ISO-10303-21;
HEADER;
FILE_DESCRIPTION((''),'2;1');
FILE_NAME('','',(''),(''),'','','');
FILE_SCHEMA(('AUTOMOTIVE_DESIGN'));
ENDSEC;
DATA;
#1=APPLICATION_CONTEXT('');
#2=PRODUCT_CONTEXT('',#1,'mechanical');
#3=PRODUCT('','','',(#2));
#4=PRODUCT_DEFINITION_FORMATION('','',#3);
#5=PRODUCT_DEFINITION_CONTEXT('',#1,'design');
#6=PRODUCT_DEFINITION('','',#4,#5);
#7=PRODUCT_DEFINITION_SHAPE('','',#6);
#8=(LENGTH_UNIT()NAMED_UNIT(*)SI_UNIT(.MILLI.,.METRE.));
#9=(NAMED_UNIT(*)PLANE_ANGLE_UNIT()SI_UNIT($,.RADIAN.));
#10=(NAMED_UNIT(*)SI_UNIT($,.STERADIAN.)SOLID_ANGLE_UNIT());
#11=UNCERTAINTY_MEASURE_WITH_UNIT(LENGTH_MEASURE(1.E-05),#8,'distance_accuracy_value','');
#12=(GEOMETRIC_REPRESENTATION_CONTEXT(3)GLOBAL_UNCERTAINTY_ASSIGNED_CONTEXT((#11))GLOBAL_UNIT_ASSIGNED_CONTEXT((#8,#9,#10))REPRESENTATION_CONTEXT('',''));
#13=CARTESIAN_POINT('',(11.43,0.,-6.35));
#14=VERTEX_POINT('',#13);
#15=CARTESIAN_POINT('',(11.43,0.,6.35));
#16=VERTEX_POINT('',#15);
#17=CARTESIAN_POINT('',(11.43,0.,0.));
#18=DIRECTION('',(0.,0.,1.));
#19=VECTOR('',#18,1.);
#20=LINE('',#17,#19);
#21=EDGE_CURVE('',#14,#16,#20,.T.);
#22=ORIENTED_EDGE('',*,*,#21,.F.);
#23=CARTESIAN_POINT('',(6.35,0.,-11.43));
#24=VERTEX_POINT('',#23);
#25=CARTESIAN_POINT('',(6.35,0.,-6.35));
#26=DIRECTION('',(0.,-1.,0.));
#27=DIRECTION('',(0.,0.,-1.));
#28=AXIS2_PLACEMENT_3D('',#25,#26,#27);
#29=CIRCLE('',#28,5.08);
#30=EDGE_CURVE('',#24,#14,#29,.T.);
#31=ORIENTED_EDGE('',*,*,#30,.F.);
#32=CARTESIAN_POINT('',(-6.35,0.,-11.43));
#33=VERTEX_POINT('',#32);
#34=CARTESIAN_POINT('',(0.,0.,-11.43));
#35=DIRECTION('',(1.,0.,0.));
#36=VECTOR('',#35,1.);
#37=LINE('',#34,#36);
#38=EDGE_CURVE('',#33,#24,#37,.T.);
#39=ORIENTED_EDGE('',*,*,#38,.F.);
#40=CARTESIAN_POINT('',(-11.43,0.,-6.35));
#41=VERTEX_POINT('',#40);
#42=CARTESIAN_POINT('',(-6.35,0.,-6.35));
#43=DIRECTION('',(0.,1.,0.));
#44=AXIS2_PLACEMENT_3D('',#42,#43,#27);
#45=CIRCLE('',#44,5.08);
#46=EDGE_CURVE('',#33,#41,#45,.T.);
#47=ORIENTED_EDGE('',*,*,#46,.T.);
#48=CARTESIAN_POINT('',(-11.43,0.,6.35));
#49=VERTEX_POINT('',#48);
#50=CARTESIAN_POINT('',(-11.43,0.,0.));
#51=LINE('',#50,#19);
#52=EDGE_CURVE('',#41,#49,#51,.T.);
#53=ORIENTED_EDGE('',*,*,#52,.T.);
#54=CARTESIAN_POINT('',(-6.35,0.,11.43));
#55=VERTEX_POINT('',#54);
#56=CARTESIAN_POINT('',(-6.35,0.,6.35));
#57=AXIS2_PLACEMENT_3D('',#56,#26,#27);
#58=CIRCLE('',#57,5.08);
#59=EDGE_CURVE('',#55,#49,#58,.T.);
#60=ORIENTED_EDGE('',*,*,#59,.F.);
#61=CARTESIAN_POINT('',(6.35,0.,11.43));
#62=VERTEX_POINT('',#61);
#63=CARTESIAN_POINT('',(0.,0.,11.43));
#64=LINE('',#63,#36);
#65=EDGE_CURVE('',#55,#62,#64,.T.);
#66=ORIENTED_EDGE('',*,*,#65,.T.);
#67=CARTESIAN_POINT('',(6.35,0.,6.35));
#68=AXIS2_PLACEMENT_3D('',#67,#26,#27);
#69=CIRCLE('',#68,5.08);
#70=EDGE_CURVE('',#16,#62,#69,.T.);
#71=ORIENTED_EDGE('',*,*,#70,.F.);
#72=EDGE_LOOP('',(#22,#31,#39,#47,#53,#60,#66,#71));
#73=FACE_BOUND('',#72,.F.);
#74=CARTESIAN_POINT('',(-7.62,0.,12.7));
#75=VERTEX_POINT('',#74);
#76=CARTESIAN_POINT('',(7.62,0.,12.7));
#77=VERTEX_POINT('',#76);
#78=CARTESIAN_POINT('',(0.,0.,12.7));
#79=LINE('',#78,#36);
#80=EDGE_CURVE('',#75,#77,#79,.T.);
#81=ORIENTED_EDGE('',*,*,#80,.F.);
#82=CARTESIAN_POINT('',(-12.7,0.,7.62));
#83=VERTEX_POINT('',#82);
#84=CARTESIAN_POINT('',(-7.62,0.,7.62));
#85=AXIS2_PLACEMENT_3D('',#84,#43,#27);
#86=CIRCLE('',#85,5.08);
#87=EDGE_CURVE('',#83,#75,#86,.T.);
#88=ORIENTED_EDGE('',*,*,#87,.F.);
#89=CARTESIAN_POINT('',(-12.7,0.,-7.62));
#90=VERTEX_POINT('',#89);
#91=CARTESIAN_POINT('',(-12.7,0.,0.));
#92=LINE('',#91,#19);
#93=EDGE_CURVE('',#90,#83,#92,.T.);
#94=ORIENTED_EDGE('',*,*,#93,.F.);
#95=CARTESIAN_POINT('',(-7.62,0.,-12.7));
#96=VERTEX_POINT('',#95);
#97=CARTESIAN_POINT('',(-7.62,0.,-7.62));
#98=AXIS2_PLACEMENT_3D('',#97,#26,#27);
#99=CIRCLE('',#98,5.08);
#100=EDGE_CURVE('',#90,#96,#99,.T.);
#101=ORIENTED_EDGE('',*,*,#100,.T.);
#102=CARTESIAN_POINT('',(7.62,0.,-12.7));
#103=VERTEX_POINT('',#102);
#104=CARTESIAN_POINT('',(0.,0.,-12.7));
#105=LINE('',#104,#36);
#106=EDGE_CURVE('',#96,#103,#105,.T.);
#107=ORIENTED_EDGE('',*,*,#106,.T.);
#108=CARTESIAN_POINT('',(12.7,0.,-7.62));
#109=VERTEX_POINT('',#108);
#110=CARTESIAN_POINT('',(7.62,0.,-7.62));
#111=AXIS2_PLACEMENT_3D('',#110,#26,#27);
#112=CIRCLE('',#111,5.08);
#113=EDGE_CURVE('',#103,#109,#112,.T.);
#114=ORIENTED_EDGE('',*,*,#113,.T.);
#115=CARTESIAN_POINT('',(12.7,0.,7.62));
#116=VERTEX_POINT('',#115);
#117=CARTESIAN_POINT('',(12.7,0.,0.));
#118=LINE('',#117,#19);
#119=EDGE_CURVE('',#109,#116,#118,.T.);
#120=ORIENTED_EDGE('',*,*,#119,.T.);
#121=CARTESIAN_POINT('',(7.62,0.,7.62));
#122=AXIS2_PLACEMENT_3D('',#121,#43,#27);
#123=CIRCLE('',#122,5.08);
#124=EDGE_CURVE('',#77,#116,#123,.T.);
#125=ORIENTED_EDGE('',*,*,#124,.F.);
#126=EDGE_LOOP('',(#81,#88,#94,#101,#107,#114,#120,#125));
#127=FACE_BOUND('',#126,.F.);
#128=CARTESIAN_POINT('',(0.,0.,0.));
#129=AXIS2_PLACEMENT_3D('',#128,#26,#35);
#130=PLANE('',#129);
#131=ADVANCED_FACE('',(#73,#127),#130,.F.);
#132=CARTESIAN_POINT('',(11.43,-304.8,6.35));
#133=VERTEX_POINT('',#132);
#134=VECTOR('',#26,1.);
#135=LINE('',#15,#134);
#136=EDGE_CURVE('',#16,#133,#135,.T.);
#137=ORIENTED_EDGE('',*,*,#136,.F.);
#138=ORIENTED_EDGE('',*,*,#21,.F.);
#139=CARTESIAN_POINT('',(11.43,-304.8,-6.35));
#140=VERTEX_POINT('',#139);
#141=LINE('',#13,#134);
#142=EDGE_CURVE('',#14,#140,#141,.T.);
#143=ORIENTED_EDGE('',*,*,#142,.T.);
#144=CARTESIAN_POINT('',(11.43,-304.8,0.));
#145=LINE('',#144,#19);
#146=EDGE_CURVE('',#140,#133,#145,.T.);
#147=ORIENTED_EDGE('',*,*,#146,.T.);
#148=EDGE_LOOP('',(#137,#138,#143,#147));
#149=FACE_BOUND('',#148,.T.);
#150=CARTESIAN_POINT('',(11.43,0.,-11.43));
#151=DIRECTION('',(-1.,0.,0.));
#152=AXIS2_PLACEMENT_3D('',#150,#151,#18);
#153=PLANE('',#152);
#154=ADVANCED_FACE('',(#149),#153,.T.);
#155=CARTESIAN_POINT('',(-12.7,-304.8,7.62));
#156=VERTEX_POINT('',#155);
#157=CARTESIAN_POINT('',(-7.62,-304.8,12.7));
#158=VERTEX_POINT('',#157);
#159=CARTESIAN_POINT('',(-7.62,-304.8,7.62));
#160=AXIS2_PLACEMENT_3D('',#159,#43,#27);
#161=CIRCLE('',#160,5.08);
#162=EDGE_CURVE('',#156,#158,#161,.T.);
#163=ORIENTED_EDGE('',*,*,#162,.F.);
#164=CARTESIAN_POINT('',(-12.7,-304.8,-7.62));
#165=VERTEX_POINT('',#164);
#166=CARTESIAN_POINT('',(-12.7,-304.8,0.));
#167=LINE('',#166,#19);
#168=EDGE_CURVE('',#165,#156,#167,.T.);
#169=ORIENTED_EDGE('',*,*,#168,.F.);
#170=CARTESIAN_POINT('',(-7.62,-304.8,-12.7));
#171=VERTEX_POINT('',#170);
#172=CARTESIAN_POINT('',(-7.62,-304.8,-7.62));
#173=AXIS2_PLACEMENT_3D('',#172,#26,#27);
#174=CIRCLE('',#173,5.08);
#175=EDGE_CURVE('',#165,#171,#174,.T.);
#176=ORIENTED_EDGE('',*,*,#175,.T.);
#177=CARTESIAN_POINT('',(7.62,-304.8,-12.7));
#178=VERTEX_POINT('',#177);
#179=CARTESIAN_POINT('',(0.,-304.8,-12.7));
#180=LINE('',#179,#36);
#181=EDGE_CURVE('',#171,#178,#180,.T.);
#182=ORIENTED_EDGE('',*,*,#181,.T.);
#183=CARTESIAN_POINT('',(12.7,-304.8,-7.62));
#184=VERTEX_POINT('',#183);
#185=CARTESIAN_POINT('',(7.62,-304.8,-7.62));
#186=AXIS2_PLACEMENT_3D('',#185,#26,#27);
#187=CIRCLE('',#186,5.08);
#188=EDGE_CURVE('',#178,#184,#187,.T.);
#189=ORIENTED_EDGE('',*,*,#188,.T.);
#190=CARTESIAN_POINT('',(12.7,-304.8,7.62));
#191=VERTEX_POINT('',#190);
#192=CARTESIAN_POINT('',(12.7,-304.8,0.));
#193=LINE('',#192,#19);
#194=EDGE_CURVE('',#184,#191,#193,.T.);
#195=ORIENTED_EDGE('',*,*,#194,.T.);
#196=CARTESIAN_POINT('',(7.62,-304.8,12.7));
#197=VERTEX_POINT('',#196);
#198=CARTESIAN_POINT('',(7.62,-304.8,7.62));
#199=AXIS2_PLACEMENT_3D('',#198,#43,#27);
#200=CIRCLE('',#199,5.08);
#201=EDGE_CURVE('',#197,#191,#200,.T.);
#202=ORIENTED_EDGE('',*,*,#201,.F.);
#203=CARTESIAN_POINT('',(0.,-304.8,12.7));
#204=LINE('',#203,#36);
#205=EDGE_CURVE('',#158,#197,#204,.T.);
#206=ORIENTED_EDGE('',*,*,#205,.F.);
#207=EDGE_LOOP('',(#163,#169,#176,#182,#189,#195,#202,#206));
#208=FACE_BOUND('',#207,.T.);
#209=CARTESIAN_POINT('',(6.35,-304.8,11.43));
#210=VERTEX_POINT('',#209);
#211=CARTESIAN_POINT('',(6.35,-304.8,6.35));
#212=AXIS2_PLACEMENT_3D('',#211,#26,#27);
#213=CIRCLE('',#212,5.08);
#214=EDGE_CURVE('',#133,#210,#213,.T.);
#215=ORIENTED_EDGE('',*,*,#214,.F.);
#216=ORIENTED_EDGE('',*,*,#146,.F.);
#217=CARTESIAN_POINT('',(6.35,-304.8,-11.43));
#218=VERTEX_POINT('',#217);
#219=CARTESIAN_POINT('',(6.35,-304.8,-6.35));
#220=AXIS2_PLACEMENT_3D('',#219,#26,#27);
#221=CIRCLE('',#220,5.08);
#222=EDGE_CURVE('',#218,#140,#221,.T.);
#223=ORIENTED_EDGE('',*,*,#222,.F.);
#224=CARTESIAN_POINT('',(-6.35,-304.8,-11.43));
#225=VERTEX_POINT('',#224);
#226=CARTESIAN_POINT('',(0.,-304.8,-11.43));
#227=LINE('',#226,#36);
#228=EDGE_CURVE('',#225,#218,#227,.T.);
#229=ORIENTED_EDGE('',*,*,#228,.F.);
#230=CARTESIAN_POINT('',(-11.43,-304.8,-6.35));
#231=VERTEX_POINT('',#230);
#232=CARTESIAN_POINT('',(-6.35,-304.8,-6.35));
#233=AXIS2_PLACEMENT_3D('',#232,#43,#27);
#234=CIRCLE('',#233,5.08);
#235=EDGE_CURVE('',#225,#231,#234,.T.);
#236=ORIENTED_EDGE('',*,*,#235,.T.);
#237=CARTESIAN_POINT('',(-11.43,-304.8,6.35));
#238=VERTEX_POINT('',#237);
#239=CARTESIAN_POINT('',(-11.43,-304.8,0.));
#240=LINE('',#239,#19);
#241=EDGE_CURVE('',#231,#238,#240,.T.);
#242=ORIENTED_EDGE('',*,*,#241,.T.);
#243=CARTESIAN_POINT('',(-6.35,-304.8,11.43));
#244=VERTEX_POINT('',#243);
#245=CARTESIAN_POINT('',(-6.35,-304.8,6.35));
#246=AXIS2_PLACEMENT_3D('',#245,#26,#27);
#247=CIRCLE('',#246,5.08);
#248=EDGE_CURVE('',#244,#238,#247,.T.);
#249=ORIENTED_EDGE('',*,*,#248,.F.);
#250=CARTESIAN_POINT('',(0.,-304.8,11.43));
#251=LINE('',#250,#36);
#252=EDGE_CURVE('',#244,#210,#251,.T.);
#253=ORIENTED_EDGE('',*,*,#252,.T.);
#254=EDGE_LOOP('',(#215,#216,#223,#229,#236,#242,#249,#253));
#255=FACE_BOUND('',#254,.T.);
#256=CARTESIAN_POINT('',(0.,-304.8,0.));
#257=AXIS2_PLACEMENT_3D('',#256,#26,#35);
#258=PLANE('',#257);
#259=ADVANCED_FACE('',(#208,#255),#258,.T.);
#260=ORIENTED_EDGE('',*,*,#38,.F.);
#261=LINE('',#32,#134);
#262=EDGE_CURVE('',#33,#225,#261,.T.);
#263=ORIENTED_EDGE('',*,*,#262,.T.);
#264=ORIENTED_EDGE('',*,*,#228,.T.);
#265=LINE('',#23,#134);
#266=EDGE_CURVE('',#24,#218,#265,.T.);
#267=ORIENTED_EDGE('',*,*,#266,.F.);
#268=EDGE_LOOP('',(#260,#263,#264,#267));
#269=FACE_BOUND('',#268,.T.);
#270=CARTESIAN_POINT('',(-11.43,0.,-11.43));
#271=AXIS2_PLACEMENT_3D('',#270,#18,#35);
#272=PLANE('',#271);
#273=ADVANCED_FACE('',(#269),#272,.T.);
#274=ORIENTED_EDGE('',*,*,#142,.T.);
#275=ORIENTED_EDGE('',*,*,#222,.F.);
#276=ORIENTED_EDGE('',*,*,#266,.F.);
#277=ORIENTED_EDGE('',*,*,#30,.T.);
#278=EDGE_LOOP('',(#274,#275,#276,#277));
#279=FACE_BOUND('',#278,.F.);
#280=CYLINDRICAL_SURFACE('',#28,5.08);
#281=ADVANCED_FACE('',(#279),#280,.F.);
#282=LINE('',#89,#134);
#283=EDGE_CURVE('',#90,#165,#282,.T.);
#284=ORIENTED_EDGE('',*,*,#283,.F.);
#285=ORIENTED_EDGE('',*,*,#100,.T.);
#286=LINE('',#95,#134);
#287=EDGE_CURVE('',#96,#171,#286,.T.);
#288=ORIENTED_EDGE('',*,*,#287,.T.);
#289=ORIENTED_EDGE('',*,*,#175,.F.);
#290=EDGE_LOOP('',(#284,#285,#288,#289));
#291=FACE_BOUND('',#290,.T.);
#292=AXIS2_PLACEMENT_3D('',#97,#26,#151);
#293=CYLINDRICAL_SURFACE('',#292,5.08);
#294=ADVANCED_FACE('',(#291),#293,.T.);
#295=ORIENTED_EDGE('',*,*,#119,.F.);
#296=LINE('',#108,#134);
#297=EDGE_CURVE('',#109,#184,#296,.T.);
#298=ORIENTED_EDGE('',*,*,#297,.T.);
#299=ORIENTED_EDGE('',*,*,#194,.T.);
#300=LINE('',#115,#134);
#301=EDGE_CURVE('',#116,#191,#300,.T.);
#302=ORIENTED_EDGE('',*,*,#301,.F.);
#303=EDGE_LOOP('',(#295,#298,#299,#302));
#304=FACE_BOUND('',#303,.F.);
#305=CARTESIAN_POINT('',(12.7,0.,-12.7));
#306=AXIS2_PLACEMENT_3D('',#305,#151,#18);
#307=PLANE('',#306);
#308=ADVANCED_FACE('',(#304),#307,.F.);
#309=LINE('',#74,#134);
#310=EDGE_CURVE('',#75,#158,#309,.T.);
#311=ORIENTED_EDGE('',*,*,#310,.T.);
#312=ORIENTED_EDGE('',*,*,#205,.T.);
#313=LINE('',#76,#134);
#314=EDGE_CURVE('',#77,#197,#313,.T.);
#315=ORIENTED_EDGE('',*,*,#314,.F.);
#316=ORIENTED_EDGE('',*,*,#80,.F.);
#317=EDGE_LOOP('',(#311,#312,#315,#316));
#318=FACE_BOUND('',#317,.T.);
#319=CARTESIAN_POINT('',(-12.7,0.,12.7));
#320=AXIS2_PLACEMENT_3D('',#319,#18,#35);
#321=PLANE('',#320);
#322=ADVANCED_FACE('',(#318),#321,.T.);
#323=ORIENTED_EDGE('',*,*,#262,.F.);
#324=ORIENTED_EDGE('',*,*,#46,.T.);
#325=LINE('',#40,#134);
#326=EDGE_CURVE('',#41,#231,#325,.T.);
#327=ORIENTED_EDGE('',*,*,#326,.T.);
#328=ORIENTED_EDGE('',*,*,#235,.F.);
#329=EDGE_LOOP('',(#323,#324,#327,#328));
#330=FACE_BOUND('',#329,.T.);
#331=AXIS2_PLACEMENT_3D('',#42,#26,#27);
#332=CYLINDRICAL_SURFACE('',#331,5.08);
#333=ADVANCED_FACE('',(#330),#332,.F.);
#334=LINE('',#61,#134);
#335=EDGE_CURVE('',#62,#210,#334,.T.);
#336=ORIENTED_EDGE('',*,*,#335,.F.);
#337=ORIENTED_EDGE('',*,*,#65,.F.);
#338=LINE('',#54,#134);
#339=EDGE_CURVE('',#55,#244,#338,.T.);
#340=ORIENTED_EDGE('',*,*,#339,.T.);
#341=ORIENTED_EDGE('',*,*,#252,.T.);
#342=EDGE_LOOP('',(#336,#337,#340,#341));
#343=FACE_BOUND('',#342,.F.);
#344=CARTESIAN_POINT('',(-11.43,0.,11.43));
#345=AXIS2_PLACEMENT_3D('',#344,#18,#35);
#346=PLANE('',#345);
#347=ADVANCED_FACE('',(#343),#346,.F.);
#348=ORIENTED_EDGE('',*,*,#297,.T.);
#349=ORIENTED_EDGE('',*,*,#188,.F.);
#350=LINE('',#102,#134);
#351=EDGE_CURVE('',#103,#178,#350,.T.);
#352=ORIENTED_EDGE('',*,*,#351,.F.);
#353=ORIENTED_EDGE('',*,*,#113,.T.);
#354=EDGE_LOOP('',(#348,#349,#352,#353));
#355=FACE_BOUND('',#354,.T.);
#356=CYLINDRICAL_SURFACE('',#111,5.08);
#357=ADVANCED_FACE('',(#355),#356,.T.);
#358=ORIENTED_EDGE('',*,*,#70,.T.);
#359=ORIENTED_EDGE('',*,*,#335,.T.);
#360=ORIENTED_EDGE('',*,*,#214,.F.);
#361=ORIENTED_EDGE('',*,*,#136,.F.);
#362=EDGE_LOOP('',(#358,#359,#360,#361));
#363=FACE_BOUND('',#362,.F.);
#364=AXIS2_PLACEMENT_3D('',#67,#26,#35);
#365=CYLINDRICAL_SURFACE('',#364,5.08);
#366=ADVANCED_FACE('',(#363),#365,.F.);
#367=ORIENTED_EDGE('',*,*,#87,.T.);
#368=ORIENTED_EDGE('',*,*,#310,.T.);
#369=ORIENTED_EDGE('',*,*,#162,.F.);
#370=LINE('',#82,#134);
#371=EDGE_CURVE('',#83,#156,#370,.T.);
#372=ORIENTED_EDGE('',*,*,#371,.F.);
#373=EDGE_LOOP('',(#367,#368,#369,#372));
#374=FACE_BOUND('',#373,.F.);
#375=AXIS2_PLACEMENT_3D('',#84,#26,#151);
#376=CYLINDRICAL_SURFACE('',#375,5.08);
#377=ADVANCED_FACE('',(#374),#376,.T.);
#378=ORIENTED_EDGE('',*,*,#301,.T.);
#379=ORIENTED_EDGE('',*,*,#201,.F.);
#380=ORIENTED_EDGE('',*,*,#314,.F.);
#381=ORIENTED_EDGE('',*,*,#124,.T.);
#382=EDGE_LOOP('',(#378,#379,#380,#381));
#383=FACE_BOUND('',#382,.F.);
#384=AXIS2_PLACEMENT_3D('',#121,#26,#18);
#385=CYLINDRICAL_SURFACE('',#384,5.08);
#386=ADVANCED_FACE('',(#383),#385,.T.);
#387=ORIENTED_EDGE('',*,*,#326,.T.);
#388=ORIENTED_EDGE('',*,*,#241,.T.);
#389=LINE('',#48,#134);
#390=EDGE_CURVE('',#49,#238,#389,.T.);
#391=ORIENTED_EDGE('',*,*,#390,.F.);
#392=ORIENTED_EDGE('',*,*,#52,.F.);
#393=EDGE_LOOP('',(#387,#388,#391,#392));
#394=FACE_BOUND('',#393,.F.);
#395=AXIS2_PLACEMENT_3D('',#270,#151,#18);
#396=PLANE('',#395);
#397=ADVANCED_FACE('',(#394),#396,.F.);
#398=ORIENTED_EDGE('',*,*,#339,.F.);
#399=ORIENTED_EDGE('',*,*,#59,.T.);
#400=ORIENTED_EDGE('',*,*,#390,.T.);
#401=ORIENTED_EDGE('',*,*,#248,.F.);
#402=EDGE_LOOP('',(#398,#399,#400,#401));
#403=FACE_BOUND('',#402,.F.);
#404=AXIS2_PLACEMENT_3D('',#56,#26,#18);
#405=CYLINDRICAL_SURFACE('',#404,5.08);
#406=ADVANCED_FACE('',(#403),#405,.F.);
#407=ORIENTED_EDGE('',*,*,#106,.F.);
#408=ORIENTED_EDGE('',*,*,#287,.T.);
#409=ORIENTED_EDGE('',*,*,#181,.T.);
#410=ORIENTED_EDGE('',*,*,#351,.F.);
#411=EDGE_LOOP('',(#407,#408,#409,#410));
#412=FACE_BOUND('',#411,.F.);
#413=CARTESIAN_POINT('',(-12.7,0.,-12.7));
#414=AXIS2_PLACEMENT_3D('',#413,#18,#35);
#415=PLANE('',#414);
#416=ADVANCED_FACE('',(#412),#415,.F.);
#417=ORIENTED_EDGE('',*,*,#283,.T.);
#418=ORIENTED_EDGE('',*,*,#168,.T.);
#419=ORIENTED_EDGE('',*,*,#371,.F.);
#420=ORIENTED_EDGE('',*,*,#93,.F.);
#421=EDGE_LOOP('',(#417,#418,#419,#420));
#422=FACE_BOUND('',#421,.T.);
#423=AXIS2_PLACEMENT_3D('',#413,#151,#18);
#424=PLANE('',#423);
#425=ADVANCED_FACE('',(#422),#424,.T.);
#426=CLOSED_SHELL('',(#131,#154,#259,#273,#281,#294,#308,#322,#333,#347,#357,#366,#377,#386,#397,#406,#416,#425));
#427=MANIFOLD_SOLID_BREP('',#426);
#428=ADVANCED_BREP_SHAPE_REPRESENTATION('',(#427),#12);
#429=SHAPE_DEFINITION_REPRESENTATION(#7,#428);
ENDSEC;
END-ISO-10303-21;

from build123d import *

# Parameters (mm, degrees)
F0_W     = 25.4
F0_H     = 25.4
F0_W_2   = 22.86
F0_H_2   = 22.86
F1_DEPTH = 304.8
F2_R     = 5.08


with BuildPart() as f1:
    # F0 (on Front) → F1 (new body)
    with BuildSketch(Plane.XZ):
        Rectangle(F0_W, F0_H)
        Rectangle(F0_W_2, F0_H_2, mode=Mode.SUBTRACT)
    extrude(amount=F1_DEPTH)

    # F2
    f2_edges = [f1.edges().sort_by_distance(p)[0] for p in [
        (-11.43, -152.4, 11.43),
        (-12.7, -152.4, 12.7),
        (11.43, -152.4, 11.43),
        (-11.43, -152.4, -11.43),
        (11.43, -152.4, -11.43),
        (-12.7, -152.4, -12.7),
        (12.7, -152.4, -12.7),
        (12.7, -152.4, 12.7),
    ]]
    fillet(f2_edges, radius=F2_R)


solid = f1.part
